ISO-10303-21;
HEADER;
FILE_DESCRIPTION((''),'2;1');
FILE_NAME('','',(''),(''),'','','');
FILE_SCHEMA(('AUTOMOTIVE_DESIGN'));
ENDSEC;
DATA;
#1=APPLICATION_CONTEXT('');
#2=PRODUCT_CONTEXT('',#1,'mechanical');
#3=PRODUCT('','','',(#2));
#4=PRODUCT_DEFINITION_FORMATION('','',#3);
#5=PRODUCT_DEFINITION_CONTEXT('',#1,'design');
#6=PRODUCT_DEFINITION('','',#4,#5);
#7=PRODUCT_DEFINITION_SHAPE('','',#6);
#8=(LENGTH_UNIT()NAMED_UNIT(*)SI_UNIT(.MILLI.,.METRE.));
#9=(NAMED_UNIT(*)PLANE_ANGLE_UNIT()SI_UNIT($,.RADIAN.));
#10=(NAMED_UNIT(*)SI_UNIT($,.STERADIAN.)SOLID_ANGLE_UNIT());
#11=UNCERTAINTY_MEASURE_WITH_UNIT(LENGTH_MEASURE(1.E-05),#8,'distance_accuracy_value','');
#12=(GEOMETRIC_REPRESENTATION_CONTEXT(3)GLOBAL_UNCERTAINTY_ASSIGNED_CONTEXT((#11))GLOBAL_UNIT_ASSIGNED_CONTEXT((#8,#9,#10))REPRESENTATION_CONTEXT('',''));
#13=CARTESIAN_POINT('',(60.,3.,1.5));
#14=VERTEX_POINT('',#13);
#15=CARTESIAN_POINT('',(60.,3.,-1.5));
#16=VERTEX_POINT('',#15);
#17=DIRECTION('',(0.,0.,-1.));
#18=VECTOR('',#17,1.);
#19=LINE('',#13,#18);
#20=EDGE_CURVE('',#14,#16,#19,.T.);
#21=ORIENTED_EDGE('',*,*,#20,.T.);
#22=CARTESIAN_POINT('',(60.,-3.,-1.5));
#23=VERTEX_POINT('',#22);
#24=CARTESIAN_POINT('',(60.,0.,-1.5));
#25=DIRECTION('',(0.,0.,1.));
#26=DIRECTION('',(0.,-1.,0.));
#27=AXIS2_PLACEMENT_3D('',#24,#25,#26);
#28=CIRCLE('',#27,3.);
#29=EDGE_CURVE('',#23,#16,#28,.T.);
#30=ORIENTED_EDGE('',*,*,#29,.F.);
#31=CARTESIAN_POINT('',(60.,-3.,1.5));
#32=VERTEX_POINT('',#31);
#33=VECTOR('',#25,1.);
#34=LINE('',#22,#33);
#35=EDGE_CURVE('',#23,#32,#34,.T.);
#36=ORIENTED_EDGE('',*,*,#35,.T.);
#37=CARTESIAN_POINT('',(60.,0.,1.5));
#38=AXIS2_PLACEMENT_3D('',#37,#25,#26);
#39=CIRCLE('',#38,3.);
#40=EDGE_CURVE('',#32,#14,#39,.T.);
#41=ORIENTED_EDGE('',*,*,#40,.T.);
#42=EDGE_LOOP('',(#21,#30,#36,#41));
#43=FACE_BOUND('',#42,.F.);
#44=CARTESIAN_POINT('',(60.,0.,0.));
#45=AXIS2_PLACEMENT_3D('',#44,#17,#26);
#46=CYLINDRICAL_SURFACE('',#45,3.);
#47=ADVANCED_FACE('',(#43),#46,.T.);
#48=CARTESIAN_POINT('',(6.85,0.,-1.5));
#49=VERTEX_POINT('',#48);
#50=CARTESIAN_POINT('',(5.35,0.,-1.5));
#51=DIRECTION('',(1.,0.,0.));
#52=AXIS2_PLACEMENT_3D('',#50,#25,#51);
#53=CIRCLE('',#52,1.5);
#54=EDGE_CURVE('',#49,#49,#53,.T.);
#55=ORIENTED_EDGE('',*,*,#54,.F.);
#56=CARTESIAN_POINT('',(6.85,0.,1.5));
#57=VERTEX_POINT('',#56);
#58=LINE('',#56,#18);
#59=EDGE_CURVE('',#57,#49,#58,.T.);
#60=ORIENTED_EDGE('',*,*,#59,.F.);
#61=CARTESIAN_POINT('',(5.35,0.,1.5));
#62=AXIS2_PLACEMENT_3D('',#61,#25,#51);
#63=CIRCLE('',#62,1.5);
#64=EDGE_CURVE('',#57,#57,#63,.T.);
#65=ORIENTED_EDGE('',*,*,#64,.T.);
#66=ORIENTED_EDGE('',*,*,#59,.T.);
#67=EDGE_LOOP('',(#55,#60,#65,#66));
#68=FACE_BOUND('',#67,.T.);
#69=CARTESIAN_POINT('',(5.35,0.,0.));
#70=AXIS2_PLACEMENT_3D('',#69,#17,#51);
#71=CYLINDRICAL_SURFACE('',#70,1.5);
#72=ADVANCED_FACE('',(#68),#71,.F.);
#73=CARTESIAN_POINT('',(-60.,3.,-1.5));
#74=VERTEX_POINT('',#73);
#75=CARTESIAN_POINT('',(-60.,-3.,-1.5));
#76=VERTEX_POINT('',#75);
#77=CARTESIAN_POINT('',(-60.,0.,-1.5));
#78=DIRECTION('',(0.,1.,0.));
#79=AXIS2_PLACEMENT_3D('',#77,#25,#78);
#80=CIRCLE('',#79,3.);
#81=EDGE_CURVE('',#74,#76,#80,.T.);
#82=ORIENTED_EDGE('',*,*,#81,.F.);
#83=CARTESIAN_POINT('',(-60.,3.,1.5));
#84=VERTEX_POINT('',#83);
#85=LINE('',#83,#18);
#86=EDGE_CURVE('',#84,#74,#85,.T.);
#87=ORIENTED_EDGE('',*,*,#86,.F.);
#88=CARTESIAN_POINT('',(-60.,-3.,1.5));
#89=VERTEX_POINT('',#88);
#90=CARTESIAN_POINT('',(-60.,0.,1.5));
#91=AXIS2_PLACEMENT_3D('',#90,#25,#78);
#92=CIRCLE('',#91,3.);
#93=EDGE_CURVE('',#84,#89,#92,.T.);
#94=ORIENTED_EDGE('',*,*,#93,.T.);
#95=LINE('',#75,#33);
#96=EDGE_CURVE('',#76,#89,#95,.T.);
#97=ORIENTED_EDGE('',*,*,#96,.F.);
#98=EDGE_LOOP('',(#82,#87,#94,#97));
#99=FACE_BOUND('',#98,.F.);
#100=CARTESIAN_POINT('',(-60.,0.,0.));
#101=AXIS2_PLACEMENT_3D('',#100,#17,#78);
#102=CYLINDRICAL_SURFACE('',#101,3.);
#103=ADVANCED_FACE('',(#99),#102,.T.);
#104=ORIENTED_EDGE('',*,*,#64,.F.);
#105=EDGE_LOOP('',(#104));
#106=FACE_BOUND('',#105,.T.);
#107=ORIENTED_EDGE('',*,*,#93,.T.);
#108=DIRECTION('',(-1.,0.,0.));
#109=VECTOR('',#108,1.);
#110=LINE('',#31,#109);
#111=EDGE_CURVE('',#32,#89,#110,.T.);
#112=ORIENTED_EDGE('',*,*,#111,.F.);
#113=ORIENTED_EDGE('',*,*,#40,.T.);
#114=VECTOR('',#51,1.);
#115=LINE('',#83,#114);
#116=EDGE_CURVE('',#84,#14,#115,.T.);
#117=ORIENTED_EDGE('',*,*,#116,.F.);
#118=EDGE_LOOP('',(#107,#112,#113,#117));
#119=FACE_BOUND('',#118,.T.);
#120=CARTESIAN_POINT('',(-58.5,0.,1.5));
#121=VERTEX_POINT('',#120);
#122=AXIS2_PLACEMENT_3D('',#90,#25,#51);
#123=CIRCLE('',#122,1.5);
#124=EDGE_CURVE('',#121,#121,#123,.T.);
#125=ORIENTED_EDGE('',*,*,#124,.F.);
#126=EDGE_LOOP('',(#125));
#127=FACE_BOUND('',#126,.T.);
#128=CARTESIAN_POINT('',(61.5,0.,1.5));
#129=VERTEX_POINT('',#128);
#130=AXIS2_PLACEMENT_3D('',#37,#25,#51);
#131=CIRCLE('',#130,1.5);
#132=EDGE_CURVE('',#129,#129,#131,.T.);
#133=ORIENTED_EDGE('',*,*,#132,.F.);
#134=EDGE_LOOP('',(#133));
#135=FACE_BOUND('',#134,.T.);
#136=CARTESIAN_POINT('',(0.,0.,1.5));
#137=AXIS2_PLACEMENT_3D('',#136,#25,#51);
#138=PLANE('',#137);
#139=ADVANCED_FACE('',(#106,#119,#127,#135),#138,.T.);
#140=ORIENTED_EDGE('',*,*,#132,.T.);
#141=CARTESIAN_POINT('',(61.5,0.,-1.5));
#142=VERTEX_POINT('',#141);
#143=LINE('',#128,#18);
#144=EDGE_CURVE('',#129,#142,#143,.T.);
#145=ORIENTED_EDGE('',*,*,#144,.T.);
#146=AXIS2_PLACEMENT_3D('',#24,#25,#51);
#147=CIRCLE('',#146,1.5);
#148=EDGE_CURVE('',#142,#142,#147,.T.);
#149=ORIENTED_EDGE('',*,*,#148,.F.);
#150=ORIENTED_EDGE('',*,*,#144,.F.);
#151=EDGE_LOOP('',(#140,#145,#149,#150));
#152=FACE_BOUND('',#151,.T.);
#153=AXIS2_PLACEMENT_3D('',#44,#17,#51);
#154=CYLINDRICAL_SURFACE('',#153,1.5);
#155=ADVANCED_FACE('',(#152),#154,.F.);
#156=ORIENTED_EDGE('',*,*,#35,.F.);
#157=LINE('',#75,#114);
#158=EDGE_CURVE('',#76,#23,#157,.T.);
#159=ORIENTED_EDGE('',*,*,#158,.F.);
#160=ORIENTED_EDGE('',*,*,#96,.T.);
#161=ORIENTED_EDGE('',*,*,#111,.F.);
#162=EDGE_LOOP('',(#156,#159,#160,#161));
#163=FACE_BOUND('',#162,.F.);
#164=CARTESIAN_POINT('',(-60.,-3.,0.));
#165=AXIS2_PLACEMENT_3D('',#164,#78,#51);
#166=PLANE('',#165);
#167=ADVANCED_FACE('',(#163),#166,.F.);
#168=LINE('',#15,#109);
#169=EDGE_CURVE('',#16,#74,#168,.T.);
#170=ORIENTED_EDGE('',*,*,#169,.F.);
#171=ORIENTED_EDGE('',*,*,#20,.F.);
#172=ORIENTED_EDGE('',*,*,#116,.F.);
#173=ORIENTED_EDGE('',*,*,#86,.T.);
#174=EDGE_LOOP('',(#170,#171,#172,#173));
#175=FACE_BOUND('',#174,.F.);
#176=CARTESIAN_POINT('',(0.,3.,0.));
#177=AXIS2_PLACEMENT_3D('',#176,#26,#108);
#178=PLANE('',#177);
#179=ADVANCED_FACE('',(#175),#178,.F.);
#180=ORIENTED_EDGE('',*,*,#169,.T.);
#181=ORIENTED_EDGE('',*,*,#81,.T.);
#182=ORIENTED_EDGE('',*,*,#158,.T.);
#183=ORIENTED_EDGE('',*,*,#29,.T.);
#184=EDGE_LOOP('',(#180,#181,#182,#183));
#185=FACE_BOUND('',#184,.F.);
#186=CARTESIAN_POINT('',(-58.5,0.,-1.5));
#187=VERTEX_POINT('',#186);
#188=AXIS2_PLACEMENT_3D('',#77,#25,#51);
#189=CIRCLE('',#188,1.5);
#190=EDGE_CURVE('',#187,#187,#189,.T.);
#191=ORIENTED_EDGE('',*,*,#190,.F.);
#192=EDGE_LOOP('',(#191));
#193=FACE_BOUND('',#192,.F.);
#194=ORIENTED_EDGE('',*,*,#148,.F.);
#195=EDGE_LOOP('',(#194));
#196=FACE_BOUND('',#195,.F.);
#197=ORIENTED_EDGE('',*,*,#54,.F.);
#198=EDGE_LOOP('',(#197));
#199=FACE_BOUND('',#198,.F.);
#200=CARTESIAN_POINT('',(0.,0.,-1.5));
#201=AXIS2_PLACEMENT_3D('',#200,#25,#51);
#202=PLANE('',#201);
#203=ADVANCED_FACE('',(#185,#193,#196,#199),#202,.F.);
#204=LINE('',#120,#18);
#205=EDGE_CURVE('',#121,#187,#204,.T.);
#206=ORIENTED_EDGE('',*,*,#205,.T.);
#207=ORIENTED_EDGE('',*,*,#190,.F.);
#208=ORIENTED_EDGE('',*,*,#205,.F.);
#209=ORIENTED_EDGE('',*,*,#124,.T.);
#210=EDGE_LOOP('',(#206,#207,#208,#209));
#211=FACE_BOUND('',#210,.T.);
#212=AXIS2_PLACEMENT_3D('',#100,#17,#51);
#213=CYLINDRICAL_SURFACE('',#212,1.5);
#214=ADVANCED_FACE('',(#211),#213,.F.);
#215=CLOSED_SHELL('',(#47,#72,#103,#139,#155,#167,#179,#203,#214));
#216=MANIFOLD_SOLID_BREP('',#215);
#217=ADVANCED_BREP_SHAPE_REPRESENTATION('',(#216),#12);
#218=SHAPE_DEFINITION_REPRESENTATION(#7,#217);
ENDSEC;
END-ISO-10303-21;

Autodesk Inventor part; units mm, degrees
ref_plane "YZ Plane" through (0, 0, 0) normal (1, 0, 0) x (0, 1, 0)
ref_plane "XZ Plane" through (0, 0, 0) normal (0, 1, 0) x (-1, 0, 0)
ref_plane "XY Plane" through (0, 0, 0) normal (0, 0, 1) x (1, 0, 0)
sketch "Esquisse1" plane through (0, 0, 0) normal (0, 0, 1) x (1, 0, 0)
  line L0 (-63, 0) -> (63, 0) construction
  line L1 (-60, -3) -> (60, -3)
  line L2 (60, 3) -> (-60, 3)
  arc A0 (-60, 3) -> (-60, -3) centre (-60, 0) ccw
  arc A1 (60, -3) -> (60, 3) centre (60, 0) ccw
  line L3 (0, -4.2) -> (0, 4.2) projected
  circle A2 centre (-60, 0) radius 1.5
  circle A3 centre (60, 0) radius 1.5
  circle A4 centre (5.35, 0) radius 1.5
  point P0 (0, 0)
  point P1 (0, 0)
  dimension "d0" = 120
  dimension "d1" = 6
  dimension "d2" = 3
  dimension "d4" = 3
  dimension "d7" = 3
  dimension "d9" = 54.65
extrude "Extrusion1" add sketch "Esquisse1" along normal mid plane 3
properties part number "barre_direction"
